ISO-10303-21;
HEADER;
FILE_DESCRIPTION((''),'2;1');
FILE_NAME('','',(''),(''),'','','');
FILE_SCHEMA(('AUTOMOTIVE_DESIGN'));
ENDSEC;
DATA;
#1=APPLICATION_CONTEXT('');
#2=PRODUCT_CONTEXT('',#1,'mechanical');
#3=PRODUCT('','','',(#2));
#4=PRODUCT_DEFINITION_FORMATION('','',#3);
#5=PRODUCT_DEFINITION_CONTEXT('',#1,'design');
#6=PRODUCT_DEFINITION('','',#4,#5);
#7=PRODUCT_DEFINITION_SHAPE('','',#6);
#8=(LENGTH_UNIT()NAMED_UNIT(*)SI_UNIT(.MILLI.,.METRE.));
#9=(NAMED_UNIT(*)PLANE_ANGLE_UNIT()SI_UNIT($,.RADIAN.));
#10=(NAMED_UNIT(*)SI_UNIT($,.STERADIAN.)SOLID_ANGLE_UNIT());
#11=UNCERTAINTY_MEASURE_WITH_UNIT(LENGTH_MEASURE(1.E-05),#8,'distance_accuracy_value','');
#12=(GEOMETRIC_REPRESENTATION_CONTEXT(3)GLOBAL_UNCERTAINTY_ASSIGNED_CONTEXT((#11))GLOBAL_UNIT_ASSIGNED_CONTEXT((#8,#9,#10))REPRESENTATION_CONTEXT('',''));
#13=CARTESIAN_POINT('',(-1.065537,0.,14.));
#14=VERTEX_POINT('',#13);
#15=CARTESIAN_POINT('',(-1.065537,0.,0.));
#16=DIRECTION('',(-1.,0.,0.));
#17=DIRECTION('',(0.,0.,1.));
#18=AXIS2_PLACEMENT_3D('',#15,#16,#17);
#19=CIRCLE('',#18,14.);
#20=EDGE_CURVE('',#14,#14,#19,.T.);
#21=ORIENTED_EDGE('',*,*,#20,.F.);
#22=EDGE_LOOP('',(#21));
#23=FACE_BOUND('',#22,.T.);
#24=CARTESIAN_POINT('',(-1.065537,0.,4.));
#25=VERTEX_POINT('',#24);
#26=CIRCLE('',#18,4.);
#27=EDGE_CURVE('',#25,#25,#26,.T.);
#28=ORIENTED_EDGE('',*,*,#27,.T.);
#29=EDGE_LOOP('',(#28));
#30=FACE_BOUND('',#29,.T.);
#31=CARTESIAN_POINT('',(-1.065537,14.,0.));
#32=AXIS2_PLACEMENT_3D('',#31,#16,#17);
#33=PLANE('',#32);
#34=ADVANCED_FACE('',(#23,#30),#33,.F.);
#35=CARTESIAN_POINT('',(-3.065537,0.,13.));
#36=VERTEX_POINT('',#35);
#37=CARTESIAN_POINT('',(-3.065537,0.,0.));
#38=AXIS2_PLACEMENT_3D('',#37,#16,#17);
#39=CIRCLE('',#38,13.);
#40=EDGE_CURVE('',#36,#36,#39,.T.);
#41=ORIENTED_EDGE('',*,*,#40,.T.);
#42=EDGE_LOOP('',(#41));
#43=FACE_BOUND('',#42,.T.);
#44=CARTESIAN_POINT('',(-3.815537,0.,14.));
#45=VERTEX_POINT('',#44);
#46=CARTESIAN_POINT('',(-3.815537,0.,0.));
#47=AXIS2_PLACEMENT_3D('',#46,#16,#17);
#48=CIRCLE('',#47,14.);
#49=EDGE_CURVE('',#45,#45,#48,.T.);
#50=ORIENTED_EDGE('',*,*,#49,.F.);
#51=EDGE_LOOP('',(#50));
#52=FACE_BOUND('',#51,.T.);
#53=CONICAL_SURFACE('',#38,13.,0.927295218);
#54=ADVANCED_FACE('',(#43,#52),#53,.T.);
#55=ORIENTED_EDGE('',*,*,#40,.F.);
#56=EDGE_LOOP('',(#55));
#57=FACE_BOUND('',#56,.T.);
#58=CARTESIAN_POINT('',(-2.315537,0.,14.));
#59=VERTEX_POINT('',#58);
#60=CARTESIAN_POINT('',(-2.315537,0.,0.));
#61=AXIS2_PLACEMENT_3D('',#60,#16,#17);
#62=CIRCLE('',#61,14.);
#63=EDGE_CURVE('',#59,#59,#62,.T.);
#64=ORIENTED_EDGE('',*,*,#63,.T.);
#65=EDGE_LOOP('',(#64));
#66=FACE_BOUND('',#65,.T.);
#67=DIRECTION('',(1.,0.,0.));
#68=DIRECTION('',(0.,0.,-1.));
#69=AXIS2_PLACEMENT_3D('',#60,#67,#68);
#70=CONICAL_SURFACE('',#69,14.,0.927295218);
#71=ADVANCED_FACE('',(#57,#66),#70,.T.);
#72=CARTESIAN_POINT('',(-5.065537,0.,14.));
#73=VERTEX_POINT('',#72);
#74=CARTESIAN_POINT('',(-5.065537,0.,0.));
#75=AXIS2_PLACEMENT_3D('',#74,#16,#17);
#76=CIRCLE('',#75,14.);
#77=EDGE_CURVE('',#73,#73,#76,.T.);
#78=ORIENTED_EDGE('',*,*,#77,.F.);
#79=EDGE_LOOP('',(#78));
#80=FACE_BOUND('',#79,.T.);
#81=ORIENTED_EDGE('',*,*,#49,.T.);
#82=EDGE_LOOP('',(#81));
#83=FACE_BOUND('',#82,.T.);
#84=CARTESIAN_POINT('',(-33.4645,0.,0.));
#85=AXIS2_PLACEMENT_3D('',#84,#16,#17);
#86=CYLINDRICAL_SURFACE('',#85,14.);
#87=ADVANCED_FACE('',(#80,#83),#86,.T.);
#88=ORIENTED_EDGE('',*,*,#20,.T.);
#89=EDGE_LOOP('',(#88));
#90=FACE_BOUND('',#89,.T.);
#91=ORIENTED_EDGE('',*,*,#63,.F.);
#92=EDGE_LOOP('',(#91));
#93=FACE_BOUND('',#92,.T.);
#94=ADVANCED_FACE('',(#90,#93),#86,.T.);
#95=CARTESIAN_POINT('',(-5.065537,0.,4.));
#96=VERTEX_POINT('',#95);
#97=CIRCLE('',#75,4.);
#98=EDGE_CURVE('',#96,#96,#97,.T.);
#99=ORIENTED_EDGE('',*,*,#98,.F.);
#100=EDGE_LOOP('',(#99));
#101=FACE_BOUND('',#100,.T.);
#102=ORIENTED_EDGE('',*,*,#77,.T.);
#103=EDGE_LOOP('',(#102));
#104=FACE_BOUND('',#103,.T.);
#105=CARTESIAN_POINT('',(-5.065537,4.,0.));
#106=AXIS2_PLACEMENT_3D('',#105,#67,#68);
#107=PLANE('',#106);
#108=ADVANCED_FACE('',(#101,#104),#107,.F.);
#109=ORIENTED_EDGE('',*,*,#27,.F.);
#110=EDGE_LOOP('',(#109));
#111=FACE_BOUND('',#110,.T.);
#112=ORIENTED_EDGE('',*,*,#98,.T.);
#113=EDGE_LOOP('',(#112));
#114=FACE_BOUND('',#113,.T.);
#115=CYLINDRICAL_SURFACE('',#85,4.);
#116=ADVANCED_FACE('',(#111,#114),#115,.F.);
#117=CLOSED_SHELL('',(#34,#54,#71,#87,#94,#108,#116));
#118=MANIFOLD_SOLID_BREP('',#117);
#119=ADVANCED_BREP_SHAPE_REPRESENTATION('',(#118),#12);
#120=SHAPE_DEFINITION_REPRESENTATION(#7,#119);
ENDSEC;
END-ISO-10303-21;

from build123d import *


with BuildPart() as part:
    # 草图1 → 旋转1 (revolve)
    with BuildSketch(Plane.XY):
        Polygon((-5.065536665, 4), (-5.065536665, 14), (-3.815536665, 14), (-3.065536665, 13), (-2.315536665, 14), (-1.065536665, 14), (-1.065536665, 4), align=None)
    revolve(axis=Axis((-33.4645, 0, 0), (1, 0, 0)))


solid = part.part
